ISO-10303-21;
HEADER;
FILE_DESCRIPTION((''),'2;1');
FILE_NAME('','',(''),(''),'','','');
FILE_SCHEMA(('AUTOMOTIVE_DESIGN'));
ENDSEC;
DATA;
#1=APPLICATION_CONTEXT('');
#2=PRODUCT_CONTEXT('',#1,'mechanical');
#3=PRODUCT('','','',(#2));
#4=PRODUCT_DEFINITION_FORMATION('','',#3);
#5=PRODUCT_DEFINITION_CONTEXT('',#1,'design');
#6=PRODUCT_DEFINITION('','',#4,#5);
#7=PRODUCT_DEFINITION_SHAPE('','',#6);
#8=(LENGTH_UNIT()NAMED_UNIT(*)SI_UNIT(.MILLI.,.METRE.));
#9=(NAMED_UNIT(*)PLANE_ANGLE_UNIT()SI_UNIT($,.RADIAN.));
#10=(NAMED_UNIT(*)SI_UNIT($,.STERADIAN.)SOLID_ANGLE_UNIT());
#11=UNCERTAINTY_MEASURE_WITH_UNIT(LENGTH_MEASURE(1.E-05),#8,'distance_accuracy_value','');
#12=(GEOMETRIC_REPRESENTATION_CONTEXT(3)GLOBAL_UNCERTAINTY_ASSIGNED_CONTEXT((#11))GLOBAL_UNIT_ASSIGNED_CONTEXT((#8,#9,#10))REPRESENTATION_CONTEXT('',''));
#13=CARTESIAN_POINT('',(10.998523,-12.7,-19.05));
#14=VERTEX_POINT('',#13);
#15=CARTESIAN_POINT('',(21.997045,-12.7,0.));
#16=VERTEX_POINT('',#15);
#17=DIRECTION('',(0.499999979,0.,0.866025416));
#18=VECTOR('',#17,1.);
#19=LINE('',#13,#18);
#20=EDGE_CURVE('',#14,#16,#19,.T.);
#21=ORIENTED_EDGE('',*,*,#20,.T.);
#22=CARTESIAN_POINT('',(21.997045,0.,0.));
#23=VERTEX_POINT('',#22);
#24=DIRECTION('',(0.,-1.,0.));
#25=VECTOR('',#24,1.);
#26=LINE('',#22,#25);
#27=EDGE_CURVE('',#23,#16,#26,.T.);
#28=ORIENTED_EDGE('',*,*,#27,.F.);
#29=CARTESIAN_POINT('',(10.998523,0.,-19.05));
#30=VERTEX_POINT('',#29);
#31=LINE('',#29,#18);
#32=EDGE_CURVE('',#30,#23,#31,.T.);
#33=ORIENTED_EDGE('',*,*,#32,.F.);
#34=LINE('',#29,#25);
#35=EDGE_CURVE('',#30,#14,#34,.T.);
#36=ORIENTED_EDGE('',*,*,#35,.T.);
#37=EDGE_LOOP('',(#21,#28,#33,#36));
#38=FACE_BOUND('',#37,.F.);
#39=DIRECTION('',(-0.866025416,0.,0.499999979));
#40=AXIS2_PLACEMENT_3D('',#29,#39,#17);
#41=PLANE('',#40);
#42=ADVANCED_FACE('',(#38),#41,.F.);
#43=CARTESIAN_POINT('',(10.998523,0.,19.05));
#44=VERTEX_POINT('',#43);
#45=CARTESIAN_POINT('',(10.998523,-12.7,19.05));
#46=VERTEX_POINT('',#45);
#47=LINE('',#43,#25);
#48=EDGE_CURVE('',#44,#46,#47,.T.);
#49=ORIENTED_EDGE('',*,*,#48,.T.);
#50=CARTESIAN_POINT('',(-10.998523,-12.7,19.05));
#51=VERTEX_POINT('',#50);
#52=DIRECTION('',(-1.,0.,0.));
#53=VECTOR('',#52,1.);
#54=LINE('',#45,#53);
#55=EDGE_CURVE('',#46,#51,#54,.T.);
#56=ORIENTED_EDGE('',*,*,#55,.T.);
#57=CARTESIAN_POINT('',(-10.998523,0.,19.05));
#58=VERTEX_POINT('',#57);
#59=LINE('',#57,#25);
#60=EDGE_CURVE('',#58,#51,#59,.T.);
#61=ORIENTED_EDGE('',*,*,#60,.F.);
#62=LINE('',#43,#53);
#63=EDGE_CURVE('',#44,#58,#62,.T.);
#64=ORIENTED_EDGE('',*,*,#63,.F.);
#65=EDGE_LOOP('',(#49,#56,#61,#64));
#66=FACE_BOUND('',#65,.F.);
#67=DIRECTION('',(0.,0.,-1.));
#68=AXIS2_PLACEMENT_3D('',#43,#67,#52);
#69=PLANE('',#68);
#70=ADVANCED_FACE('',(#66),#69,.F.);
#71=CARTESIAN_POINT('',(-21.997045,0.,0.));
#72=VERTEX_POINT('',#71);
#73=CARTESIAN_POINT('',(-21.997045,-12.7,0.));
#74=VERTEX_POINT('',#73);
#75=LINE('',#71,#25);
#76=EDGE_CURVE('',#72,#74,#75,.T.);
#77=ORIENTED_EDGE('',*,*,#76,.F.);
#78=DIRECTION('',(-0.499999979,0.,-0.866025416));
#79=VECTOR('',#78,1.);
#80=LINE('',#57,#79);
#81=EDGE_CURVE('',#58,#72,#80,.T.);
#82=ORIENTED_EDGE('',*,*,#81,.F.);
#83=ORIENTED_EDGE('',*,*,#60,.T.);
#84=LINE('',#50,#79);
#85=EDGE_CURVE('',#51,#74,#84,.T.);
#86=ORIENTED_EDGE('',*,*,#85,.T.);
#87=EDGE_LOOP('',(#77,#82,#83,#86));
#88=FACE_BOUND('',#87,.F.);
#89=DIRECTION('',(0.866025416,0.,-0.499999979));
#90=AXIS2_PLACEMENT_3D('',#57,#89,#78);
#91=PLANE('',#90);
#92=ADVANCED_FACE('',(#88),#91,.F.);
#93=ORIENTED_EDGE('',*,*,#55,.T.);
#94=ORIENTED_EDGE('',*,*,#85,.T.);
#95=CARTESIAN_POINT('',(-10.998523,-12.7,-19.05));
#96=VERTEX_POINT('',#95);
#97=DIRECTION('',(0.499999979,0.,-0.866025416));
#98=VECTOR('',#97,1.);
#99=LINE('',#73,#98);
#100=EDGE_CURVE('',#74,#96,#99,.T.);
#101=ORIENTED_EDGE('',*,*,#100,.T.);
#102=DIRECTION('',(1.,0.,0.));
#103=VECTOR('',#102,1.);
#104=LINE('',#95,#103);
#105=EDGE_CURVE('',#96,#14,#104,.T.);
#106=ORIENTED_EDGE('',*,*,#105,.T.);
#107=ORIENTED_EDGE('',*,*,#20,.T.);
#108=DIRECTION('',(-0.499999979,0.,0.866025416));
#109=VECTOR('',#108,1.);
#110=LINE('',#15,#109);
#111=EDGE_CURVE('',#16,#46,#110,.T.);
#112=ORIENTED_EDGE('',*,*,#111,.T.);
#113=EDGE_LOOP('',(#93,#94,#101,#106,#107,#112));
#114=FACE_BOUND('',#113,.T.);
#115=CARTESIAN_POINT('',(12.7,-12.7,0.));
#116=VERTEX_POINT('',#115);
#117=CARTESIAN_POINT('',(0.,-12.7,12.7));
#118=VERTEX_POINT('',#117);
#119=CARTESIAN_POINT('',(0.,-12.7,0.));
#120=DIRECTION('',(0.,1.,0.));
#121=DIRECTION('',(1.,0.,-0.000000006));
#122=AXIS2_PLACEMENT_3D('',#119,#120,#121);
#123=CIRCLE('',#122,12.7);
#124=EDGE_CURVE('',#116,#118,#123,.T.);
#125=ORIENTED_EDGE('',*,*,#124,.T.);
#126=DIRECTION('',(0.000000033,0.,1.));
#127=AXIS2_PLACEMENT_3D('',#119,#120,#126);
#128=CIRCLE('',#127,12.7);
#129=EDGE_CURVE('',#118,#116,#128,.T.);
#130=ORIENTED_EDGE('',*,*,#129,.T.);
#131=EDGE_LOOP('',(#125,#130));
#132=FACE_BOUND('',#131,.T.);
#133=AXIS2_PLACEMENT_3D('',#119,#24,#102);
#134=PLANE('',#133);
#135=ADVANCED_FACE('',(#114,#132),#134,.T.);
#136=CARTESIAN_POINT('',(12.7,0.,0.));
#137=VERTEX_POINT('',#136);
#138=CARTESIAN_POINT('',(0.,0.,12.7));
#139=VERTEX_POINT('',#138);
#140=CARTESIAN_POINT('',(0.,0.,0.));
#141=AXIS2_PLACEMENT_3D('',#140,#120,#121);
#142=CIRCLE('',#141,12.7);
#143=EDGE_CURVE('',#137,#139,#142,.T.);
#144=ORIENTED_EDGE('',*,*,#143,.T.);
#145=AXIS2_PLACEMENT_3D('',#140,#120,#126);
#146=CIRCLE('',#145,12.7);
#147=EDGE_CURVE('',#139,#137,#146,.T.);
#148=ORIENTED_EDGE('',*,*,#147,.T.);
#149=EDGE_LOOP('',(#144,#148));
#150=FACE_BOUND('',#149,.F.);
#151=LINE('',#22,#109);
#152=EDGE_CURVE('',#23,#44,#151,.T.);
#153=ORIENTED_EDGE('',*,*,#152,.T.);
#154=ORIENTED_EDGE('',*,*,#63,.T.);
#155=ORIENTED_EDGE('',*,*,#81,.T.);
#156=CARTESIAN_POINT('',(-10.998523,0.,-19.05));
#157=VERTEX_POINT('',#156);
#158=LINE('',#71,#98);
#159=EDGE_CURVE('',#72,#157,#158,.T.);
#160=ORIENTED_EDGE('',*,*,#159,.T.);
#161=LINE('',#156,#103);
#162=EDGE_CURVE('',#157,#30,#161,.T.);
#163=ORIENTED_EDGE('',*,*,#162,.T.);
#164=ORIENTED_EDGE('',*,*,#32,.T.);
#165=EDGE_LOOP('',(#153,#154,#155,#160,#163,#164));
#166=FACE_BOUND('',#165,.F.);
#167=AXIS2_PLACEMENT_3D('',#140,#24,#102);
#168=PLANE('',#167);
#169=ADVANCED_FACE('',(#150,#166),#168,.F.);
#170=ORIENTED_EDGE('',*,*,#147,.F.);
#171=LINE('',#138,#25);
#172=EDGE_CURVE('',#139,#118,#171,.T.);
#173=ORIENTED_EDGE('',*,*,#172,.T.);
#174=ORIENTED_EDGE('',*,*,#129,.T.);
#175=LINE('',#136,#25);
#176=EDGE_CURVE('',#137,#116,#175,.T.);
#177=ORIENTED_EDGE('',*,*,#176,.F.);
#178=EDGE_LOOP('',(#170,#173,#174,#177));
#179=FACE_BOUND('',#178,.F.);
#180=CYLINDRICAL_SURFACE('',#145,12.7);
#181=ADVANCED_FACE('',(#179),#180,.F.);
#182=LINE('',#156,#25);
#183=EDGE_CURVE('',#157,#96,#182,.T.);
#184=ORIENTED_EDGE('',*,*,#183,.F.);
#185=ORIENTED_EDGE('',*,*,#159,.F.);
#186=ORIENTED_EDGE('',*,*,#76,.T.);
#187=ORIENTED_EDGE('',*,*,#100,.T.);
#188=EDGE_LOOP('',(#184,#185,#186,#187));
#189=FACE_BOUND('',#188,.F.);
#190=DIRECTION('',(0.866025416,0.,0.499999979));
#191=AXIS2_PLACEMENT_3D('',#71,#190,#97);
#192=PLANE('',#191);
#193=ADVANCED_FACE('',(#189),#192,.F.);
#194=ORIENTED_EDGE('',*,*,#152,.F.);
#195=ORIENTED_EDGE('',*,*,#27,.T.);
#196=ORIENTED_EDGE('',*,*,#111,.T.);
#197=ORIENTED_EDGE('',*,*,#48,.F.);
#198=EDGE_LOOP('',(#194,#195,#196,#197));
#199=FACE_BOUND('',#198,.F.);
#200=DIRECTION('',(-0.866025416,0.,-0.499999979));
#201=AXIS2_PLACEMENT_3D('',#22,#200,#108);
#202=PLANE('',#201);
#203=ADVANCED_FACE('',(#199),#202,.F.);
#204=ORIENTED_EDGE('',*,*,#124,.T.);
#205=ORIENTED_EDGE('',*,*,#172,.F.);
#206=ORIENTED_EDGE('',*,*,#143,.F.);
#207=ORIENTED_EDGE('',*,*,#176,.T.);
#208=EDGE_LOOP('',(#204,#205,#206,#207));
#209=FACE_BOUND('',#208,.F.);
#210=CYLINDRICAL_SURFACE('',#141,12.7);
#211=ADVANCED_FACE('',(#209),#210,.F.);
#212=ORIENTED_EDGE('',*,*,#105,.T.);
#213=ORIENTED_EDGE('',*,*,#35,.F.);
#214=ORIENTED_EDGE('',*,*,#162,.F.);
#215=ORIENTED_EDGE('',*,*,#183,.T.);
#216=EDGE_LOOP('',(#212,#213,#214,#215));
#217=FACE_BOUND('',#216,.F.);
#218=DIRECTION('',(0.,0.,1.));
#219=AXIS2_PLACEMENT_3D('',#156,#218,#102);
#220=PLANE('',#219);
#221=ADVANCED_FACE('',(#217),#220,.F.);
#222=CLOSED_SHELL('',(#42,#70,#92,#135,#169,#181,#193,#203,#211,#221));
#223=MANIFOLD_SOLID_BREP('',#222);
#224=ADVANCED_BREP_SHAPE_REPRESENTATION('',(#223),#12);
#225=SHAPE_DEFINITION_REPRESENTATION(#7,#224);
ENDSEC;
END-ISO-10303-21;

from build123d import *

# Parameters (mm, degrees)
F1_DEPTH = 12.7


with BuildPart() as f1:
    # F0 (on Front) → F1 (new body)
    with BuildSketch(Plane.XZ):
        Polygon((10.998523, 19.05), (0, 19.05), (-10.998523, 19.05), (-21.997045, 0), (-10.998523, -19.05), (10.998523, -19.05), (21.997045, 0), align=None)
        with BuildLine():
            ThreePointArc((12.7, 0), (-8.980256, -8.980256), (0, 12.7))
            ThreePointArc((0, 12.7), (8.980256, 8.980256), (12.7, 0))
        make_face(mode=Mode.SUBTRACT)
    extrude(amount=F1_DEPTH)


solid = f1.part
